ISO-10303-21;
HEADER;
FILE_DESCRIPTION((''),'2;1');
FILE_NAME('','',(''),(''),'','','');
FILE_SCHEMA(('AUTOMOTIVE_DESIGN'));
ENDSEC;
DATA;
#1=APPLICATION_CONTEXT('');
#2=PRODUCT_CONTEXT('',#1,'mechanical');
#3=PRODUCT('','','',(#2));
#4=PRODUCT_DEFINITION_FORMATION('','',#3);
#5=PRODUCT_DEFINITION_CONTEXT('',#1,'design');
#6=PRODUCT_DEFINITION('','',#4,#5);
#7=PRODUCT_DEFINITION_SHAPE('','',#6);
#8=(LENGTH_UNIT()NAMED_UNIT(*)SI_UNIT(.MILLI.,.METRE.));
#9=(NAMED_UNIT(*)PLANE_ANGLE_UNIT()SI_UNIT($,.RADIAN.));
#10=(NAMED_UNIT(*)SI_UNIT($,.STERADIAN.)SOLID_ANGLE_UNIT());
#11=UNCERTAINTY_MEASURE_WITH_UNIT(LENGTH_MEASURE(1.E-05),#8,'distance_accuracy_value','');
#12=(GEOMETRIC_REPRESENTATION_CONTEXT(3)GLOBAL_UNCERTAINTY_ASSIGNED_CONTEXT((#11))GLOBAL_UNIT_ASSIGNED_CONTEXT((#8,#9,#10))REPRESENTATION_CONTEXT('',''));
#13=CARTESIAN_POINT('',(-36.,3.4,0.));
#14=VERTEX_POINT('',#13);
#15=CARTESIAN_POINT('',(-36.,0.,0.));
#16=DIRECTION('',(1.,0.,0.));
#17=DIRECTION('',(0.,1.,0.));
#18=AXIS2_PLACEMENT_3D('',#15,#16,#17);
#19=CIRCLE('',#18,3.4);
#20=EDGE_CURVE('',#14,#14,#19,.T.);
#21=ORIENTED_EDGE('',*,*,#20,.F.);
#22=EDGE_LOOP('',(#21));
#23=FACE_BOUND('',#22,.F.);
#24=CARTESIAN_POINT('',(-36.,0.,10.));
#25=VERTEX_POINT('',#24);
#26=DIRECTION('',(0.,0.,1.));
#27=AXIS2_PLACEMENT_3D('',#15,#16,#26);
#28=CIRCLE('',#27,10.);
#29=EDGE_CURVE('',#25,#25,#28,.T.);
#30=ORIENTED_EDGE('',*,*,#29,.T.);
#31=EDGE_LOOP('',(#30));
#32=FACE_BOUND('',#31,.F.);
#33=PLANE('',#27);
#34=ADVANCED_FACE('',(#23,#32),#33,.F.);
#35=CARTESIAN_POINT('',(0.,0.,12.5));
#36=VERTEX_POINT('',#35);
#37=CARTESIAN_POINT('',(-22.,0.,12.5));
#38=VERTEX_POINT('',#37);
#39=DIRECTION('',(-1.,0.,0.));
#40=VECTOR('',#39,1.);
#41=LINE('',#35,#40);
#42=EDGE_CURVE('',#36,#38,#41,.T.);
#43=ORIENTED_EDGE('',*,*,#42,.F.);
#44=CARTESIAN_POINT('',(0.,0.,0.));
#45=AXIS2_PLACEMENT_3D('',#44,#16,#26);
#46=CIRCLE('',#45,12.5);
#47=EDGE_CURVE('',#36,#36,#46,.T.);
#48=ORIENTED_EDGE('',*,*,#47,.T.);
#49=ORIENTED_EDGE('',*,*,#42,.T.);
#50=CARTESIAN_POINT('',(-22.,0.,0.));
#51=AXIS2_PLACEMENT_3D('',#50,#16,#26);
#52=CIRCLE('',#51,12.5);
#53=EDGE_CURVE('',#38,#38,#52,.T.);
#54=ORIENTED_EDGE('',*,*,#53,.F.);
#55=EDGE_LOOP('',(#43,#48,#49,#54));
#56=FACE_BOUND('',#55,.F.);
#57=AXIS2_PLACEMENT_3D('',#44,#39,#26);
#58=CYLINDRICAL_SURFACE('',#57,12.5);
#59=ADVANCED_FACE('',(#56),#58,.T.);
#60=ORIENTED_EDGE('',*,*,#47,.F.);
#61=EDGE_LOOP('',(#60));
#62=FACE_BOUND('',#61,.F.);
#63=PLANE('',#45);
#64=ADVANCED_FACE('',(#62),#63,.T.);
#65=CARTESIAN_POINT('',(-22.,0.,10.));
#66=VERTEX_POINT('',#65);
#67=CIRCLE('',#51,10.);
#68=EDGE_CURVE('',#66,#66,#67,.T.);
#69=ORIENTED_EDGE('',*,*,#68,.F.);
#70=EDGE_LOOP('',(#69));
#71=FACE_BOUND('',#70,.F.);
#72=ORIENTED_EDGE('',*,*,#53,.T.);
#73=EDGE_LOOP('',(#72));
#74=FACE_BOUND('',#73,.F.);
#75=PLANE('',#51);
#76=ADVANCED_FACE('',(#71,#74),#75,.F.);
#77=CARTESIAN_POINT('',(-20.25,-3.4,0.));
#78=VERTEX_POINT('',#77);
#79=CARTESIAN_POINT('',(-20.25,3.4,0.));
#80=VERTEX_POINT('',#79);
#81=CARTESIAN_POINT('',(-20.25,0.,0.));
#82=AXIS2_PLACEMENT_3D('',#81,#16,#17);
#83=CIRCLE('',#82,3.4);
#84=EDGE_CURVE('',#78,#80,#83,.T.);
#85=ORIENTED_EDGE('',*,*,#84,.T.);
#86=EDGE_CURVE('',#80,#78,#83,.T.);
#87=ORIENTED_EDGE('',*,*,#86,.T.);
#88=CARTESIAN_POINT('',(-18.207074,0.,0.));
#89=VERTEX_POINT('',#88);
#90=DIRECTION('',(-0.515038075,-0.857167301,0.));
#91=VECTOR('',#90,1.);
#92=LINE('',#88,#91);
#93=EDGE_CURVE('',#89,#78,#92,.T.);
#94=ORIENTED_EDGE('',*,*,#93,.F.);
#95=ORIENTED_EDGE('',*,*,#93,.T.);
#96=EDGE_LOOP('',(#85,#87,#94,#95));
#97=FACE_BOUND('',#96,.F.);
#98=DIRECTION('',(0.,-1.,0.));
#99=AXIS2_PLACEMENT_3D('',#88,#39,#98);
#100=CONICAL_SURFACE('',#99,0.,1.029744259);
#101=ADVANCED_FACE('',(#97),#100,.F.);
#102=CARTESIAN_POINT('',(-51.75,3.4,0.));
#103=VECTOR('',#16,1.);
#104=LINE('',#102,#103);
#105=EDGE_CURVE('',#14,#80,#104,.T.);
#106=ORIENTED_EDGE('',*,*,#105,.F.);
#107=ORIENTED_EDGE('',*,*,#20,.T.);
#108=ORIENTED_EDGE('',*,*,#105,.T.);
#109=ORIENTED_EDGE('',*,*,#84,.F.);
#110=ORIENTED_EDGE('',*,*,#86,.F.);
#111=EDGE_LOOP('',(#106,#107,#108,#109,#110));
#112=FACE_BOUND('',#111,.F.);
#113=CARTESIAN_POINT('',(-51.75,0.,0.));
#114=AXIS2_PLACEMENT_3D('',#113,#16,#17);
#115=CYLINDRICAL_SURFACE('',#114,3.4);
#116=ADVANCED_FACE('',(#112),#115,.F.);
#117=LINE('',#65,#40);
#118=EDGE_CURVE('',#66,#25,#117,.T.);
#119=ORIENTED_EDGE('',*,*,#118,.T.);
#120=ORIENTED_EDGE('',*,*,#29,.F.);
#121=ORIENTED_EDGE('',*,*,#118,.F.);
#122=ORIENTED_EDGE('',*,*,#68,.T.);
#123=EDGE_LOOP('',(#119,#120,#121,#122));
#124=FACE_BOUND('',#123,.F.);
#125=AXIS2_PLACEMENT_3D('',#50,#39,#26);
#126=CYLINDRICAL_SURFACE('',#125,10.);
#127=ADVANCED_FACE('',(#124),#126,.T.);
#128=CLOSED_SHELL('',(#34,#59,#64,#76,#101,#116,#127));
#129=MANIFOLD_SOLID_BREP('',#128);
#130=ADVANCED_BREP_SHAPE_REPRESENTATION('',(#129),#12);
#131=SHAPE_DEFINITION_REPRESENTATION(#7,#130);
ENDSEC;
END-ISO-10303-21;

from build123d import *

# Parameters (mm, degrees)
F3_D     = 6.8
F3_DEPTH = 15.75
F3_TIP   = 2.0429261047


with BuildPart() as f1:
    # F0 (on Front) → F1 (revolve)
    with BuildSketch(Plane.XZ):
        Polygon((-36, 10), (-36, 0), (0, 0), (0, 12.5), (-22, 12.5), (-22, 10), align=None)
    revolve(axis=Axis((-18, 0, 0), (1, 0, 0)))

    # F3
    with Locations(Plane(origin=(-36, 0, 0), x_dir=(0, -1, 0), z_dir=(-1, 0, 0))):
        with Locations((0, 0)):
            Hole(F3_D / 2, depth=F3_DEPTH)
            with Locations((0, 0, -(F3_DEPTH + F3_TIP / 2))):  # 118° drill point
                Cone(0, F3_D / 2, F3_TIP, mode=Mode.SUBTRACT)


solid = f1.part
